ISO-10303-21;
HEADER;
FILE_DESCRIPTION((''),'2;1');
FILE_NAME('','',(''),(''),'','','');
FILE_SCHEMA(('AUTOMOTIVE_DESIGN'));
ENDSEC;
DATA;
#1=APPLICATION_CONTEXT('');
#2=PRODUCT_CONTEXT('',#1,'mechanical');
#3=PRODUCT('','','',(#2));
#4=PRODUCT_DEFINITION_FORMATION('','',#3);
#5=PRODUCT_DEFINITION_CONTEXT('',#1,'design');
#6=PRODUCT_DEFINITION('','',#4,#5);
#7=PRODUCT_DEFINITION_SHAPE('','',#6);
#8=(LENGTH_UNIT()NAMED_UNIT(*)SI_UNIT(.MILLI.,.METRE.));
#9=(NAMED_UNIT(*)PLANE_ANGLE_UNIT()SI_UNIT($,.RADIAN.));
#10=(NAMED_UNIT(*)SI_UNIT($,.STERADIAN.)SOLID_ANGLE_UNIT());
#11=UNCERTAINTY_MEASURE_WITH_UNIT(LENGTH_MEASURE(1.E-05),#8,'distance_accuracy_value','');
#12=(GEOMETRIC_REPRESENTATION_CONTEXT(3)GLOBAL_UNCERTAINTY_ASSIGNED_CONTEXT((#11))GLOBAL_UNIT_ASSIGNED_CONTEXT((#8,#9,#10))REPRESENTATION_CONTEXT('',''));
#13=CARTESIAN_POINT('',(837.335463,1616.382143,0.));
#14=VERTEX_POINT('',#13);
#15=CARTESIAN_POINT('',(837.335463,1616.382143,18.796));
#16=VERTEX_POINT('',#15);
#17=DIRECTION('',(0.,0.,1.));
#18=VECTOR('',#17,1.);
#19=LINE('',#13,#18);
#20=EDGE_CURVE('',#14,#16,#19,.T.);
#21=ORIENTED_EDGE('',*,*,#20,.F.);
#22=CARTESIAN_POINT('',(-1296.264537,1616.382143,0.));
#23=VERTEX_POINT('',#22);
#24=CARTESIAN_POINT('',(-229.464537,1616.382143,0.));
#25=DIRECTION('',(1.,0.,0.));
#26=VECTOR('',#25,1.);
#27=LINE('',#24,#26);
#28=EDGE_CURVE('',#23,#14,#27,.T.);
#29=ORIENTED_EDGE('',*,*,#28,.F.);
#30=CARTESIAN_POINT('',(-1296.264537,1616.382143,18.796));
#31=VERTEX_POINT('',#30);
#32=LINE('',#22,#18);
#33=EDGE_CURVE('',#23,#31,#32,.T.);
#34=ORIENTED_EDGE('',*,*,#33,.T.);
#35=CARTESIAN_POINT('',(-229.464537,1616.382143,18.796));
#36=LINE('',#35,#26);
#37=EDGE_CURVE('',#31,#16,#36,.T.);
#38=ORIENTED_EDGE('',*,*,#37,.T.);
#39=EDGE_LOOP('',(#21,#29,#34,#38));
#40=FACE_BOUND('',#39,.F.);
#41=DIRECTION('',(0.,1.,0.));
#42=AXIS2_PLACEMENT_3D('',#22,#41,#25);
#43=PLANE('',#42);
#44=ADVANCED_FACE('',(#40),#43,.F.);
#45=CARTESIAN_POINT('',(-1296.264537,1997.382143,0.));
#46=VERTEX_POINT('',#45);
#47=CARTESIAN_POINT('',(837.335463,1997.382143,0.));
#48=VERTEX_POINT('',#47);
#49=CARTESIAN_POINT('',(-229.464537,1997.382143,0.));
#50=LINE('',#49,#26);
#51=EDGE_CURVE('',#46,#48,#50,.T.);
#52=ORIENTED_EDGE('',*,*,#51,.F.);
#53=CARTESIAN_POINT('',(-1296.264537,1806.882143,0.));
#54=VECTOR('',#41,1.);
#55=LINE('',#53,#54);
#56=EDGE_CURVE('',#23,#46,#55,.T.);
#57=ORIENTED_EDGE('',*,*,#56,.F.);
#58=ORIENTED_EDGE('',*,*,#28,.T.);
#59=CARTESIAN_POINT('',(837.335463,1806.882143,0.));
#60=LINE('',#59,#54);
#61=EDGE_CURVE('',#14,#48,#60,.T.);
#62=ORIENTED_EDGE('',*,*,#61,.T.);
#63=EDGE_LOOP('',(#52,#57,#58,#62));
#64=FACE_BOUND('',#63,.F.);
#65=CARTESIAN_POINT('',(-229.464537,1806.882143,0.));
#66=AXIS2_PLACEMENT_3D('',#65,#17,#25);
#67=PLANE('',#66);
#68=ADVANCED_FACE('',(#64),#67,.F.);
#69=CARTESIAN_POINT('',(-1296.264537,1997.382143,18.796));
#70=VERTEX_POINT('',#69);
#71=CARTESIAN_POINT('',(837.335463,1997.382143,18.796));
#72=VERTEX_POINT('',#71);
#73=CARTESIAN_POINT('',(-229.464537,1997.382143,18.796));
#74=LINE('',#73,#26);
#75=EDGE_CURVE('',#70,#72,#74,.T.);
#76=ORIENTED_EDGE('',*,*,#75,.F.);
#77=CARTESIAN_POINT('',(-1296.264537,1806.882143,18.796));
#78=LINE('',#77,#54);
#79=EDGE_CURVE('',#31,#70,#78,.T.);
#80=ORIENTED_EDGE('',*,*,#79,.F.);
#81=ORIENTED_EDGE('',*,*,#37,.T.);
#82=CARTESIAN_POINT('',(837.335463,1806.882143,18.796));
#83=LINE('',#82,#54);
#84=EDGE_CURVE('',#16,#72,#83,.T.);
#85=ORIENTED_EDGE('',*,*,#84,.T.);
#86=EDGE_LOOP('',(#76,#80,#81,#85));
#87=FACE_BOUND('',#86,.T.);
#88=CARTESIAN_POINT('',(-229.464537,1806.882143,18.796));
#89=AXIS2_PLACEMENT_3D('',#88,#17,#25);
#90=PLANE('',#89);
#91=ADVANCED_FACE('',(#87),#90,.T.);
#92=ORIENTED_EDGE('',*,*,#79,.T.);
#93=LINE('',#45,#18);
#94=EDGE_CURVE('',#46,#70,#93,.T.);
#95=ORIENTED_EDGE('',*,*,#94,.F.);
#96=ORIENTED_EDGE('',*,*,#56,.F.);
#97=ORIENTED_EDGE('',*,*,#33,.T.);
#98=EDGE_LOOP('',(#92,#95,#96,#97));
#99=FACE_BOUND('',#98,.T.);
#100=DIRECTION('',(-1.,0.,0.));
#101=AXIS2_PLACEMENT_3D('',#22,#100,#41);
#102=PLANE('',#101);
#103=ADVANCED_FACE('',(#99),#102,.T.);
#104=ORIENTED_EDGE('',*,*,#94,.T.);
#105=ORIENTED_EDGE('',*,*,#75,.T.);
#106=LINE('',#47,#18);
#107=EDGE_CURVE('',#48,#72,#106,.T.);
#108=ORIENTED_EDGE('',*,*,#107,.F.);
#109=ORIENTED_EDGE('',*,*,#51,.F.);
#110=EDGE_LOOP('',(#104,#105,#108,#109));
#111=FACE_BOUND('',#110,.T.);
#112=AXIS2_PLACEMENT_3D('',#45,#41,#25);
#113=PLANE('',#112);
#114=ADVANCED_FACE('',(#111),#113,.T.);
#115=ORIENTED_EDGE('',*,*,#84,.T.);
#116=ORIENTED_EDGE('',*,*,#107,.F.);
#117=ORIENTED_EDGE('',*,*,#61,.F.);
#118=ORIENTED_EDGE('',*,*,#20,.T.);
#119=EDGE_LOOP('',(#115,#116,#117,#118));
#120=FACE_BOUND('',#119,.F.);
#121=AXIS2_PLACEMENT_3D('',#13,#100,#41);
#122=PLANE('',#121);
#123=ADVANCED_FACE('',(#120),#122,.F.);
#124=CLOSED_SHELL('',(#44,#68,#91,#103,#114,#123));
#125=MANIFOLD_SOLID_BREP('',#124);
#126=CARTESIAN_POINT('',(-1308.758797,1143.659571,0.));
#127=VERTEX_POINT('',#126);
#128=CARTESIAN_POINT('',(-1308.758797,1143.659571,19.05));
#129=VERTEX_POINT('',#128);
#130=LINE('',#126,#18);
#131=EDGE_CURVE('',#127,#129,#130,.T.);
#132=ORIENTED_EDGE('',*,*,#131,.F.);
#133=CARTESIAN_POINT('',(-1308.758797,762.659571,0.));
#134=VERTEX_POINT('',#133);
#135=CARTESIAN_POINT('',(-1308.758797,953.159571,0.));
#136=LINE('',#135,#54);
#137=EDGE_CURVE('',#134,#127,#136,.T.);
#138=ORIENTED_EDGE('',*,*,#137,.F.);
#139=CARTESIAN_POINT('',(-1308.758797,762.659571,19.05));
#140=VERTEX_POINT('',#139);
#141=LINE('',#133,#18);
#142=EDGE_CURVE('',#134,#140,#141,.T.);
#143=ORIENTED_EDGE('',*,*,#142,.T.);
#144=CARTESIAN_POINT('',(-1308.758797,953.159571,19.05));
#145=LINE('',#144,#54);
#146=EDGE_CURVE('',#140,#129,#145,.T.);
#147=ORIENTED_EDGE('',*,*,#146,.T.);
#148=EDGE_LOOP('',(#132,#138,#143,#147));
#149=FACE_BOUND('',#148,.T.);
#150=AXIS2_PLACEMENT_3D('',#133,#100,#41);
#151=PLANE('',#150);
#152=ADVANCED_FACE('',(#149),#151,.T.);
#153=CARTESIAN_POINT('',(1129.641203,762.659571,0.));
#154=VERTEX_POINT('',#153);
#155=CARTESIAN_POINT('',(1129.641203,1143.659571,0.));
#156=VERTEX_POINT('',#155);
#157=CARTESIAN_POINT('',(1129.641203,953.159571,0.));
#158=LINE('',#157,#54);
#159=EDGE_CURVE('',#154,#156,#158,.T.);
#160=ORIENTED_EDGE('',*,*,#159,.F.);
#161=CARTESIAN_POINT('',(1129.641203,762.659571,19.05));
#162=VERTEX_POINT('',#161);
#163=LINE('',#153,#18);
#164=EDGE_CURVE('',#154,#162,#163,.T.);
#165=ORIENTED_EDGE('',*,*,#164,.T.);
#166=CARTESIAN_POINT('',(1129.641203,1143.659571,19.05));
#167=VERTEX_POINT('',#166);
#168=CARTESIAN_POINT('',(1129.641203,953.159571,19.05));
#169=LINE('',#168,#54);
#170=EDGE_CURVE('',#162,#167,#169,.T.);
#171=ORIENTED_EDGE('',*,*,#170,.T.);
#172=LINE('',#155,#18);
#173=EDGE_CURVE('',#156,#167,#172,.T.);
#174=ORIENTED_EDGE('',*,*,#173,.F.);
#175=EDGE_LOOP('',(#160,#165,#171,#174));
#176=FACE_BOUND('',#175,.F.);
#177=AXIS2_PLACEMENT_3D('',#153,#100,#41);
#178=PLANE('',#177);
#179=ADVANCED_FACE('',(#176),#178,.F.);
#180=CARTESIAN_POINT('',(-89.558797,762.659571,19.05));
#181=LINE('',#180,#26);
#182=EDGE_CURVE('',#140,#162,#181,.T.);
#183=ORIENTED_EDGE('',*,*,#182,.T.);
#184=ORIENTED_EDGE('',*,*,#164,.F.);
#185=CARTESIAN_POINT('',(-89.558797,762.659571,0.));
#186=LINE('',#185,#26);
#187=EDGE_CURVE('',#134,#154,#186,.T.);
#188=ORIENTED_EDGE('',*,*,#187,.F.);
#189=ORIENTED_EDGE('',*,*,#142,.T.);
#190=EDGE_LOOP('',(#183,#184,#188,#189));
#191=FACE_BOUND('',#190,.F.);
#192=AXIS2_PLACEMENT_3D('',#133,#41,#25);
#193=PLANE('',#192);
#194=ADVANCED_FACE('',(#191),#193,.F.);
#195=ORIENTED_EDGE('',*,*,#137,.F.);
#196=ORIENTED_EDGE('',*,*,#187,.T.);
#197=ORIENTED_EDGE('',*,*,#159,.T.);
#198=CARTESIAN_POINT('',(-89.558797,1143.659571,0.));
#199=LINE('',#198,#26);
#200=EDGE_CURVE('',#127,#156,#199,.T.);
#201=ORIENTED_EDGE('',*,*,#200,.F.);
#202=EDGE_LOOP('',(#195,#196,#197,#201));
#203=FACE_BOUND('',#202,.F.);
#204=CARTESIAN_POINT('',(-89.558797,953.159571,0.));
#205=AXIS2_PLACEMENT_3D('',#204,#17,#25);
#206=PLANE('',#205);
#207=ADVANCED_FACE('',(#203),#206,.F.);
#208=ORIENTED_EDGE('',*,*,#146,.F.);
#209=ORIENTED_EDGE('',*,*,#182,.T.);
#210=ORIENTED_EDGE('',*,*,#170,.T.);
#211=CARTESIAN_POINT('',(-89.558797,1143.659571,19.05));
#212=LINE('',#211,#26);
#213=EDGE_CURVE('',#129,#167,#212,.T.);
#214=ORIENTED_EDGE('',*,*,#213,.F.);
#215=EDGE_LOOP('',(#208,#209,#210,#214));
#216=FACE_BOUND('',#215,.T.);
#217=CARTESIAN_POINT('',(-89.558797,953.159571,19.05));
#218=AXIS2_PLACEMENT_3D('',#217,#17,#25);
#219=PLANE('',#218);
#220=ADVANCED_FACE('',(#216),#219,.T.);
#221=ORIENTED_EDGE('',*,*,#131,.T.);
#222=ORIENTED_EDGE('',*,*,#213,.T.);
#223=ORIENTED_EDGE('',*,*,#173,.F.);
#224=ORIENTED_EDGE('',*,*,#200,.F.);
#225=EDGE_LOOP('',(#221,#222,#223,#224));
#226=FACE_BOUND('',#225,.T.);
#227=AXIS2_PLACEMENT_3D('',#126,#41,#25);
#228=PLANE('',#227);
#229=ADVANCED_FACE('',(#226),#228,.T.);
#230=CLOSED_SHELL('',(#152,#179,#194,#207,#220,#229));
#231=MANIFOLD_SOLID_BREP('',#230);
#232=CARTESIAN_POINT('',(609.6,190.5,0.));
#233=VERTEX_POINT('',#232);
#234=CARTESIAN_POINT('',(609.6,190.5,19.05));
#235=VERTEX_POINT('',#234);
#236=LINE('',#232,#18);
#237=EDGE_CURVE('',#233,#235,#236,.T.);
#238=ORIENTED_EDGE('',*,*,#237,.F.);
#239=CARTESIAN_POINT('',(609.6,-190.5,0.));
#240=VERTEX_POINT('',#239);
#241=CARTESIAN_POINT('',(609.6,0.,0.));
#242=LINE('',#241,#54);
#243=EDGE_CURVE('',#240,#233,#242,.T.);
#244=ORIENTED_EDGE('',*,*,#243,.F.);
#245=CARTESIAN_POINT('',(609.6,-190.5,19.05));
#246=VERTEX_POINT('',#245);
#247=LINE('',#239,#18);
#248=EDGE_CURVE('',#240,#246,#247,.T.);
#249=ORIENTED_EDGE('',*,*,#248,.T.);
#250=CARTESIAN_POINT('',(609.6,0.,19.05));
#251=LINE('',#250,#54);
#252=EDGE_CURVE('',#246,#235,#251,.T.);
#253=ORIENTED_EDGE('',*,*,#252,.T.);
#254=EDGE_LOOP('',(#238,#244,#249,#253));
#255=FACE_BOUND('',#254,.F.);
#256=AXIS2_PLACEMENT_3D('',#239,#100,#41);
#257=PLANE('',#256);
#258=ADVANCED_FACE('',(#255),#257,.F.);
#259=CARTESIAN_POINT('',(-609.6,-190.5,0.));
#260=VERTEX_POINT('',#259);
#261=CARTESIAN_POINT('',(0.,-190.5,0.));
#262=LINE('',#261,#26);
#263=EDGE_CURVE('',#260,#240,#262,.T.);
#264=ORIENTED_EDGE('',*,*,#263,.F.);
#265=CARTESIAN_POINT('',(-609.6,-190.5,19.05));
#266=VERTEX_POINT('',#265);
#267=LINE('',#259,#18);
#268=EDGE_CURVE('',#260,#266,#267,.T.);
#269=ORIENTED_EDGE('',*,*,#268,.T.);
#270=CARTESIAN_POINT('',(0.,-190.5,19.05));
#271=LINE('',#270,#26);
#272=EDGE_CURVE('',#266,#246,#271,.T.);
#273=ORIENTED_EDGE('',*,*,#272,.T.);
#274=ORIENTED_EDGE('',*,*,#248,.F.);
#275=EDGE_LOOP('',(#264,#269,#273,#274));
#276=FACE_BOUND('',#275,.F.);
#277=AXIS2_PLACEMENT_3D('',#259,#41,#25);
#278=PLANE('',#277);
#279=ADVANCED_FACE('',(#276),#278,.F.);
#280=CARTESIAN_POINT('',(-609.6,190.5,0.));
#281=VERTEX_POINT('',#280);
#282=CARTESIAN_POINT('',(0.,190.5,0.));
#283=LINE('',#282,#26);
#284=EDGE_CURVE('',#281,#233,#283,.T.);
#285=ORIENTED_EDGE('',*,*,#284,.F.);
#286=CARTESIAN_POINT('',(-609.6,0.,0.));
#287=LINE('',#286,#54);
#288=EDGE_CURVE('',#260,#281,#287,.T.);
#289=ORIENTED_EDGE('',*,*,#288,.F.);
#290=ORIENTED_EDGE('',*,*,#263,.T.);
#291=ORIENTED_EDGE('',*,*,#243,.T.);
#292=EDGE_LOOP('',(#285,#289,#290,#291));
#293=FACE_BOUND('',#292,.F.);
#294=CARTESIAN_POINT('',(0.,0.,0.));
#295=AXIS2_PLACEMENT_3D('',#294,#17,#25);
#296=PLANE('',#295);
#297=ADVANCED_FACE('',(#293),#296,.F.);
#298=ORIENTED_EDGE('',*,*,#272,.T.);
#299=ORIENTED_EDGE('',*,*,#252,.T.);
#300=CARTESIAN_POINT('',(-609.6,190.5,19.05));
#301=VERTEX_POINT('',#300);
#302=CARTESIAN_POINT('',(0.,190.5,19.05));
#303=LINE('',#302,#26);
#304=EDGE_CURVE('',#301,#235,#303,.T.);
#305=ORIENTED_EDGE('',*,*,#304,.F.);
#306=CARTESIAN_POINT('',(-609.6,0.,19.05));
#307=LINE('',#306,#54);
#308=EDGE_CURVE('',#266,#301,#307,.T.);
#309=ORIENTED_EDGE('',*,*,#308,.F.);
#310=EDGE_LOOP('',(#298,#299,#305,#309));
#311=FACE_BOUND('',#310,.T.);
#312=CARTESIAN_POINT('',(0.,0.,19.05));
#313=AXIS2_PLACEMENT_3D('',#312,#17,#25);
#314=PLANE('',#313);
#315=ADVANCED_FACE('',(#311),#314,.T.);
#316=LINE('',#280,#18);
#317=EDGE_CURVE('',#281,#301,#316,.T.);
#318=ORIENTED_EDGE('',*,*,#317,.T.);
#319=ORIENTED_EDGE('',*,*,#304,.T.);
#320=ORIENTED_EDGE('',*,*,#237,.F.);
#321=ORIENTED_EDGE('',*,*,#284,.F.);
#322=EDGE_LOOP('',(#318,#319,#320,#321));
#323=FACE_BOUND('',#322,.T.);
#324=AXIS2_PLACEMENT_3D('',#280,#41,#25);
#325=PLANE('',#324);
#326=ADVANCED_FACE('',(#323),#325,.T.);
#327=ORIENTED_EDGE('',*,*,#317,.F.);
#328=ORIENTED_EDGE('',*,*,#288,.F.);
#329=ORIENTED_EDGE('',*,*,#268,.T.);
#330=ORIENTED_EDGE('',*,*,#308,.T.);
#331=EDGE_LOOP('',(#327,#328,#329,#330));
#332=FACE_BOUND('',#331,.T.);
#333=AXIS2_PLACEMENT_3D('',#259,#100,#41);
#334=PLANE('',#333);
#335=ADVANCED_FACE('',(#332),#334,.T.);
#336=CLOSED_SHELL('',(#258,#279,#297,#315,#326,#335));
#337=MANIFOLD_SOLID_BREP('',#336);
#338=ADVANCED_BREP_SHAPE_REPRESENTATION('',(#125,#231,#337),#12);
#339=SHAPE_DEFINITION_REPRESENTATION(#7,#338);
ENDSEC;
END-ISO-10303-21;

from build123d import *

# Parameters (mm, degrees)
F0_W     = 1219.2
F0_H     = 381
F1_DEPTH = 19.05
F2_W     = 2438.4
F2_H     = 381
F3_DEPTH = 19.05
F4_W     = 2133.6
F4_H     = 381
F5_DEPTH = 18.796
F6_W     = 2438.4
F6_H     = 381
F7_DEPTH = 19.05


with BuildPart() as f1:
    # F0 (on Top) → F1 (new body)
    with BuildSketch(Plane.XY):
        Rectangle(F0_W, F0_H)
    extrude(amount=F1_DEPTH)


with BuildPart() as f3:
    # F2 (on Top) → F3 (new body)
    with BuildSketch(Plane.XY):
        with Locations((-89.558797, 953.159571)):
            Rectangle(F2_W, F2_H)
    extrude(amount=F3_DEPTH)


with BuildPart() as f5:
    # F4 (on Top) → F5 (new body)
    with BuildSketch(Plane.XY):
        with Locations((-229.464537, 1806.882143)):
            Rectangle(F4_W, F4_H)
    extrude(amount=F5_DEPTH)


with BuildPart() as f7:
    # F6 (on Top) → F7 (new body)
    with BuildSketch(Plane.XY):
        with Locations((414.449826, -1243.419886)):
            Rectangle(F6_W, F6_H)
    extrude(amount=F7_DEPTH)


solid = Compound([f1.part, f3.part, f5.part])
